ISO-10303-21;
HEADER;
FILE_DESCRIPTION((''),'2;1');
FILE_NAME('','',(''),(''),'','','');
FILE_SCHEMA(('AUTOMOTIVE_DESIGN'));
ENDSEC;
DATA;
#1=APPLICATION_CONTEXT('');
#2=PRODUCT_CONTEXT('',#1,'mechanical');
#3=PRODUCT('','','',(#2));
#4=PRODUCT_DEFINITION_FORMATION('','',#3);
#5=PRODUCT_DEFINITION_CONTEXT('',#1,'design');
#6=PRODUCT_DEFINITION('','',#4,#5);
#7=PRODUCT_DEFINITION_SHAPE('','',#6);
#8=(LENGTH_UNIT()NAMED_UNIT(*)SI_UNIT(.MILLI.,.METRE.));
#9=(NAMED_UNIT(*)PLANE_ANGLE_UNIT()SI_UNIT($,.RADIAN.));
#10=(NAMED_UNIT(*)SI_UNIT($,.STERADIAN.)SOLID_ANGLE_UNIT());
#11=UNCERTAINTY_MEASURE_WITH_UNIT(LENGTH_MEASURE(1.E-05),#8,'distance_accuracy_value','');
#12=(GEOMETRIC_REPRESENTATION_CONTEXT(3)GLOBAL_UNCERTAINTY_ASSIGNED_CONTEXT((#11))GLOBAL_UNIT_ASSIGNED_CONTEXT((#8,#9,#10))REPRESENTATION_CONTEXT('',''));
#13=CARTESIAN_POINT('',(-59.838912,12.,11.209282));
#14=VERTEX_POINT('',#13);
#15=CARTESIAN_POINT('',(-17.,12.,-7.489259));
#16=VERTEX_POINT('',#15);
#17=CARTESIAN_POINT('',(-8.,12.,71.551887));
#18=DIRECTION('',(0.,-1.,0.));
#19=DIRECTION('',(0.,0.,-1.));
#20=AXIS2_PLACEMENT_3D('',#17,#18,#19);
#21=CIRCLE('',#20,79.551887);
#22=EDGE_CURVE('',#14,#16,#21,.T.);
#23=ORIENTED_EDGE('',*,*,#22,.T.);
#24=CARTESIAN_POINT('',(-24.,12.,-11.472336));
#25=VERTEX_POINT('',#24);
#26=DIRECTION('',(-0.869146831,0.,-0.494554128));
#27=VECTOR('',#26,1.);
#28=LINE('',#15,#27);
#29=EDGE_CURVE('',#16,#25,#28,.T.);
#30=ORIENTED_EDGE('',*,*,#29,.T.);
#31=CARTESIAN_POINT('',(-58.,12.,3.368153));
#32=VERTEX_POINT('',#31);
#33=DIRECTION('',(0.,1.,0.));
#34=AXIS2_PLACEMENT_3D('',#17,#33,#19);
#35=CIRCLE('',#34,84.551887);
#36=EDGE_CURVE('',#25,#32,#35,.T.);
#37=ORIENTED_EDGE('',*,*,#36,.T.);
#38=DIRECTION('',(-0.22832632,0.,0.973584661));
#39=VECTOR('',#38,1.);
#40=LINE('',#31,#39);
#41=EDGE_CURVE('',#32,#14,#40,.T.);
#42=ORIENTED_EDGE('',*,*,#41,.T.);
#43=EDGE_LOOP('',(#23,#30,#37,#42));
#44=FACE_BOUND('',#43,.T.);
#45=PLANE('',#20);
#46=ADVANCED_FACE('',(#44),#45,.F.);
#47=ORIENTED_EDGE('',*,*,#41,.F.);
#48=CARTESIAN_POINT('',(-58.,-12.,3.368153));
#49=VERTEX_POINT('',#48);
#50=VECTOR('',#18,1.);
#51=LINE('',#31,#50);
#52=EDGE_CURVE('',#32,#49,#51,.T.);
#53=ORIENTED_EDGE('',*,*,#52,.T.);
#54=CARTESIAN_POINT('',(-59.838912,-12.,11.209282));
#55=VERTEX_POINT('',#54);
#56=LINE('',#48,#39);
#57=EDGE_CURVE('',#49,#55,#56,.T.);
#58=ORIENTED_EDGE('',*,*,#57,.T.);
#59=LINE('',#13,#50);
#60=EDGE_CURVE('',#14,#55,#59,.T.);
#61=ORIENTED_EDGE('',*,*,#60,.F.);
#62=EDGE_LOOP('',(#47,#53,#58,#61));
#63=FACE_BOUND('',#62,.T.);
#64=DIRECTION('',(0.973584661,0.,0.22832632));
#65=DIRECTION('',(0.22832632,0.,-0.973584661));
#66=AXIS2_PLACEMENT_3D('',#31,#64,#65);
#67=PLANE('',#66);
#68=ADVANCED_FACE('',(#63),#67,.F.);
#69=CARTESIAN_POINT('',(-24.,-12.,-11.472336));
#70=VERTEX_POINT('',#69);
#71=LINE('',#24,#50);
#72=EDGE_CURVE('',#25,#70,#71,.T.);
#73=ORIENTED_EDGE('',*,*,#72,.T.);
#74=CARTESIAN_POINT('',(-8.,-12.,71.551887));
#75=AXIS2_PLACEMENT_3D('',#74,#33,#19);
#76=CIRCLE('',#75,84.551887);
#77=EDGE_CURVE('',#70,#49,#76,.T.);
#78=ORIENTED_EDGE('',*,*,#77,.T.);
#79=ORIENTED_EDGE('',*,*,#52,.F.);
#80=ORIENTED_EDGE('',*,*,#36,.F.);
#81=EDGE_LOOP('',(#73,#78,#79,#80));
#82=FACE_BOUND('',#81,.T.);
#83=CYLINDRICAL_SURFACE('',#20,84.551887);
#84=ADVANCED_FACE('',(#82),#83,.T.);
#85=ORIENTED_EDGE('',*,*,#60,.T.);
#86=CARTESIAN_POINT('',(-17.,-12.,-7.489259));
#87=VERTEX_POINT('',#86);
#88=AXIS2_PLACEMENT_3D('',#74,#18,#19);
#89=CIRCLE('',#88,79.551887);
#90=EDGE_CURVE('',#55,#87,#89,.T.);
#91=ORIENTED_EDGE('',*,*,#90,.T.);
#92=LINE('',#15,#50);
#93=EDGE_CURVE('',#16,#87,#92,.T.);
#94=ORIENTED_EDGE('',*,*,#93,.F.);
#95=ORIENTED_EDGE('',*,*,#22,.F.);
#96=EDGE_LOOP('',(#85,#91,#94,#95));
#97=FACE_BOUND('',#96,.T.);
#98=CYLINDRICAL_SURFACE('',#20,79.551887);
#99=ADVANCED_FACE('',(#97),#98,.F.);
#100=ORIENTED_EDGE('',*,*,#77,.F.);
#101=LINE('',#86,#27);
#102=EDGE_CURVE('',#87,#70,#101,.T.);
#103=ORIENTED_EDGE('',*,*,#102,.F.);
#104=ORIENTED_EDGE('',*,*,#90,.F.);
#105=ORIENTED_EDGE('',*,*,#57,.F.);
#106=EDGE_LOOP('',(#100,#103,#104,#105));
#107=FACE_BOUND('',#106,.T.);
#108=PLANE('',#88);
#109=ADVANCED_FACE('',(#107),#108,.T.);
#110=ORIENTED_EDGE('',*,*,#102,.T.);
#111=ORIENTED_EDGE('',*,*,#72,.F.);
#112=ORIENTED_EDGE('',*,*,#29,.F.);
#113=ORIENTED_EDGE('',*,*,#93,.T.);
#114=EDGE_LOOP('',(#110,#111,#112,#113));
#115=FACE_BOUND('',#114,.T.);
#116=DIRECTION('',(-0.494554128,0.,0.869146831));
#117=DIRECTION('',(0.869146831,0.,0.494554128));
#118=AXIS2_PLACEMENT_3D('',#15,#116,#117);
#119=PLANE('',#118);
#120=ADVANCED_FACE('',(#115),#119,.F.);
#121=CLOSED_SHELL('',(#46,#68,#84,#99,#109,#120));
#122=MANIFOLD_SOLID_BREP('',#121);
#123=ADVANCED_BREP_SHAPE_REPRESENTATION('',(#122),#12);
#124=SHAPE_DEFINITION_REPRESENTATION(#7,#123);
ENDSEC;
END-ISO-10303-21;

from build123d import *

# Parameters (mm, degrees)
RESSALTO_EXTRUS_O1_DEPTH = 12


with BuildPart() as part:
    # Esboço1 → Ressalto-extrusão1 (new, symmetric)
    with BuildSketch(Plane(origin=(0, 0, 0), x_dir=(1, 0, 0), z_dir=(0, 1, 0))):
        with BuildLine():
            Line((-17, 7.489258773), (-24, 11.472335939))
            ThreePointArc((-24, 11.472335939), (-41.823956416, 5.939800068), (-58, -3.368152954))
            Line((-58, -3.368152954), (-59.838911655, -11.209282186))
            ThreePointArc((-59.838911655, -11.209282186), (-39.823767083, 1.35730701), (-17, 7.489258773))
        make_face()
    extrude(amount=RESSALTO_EXTRUS_O1_DEPTH, both=True)


solid = part.part
